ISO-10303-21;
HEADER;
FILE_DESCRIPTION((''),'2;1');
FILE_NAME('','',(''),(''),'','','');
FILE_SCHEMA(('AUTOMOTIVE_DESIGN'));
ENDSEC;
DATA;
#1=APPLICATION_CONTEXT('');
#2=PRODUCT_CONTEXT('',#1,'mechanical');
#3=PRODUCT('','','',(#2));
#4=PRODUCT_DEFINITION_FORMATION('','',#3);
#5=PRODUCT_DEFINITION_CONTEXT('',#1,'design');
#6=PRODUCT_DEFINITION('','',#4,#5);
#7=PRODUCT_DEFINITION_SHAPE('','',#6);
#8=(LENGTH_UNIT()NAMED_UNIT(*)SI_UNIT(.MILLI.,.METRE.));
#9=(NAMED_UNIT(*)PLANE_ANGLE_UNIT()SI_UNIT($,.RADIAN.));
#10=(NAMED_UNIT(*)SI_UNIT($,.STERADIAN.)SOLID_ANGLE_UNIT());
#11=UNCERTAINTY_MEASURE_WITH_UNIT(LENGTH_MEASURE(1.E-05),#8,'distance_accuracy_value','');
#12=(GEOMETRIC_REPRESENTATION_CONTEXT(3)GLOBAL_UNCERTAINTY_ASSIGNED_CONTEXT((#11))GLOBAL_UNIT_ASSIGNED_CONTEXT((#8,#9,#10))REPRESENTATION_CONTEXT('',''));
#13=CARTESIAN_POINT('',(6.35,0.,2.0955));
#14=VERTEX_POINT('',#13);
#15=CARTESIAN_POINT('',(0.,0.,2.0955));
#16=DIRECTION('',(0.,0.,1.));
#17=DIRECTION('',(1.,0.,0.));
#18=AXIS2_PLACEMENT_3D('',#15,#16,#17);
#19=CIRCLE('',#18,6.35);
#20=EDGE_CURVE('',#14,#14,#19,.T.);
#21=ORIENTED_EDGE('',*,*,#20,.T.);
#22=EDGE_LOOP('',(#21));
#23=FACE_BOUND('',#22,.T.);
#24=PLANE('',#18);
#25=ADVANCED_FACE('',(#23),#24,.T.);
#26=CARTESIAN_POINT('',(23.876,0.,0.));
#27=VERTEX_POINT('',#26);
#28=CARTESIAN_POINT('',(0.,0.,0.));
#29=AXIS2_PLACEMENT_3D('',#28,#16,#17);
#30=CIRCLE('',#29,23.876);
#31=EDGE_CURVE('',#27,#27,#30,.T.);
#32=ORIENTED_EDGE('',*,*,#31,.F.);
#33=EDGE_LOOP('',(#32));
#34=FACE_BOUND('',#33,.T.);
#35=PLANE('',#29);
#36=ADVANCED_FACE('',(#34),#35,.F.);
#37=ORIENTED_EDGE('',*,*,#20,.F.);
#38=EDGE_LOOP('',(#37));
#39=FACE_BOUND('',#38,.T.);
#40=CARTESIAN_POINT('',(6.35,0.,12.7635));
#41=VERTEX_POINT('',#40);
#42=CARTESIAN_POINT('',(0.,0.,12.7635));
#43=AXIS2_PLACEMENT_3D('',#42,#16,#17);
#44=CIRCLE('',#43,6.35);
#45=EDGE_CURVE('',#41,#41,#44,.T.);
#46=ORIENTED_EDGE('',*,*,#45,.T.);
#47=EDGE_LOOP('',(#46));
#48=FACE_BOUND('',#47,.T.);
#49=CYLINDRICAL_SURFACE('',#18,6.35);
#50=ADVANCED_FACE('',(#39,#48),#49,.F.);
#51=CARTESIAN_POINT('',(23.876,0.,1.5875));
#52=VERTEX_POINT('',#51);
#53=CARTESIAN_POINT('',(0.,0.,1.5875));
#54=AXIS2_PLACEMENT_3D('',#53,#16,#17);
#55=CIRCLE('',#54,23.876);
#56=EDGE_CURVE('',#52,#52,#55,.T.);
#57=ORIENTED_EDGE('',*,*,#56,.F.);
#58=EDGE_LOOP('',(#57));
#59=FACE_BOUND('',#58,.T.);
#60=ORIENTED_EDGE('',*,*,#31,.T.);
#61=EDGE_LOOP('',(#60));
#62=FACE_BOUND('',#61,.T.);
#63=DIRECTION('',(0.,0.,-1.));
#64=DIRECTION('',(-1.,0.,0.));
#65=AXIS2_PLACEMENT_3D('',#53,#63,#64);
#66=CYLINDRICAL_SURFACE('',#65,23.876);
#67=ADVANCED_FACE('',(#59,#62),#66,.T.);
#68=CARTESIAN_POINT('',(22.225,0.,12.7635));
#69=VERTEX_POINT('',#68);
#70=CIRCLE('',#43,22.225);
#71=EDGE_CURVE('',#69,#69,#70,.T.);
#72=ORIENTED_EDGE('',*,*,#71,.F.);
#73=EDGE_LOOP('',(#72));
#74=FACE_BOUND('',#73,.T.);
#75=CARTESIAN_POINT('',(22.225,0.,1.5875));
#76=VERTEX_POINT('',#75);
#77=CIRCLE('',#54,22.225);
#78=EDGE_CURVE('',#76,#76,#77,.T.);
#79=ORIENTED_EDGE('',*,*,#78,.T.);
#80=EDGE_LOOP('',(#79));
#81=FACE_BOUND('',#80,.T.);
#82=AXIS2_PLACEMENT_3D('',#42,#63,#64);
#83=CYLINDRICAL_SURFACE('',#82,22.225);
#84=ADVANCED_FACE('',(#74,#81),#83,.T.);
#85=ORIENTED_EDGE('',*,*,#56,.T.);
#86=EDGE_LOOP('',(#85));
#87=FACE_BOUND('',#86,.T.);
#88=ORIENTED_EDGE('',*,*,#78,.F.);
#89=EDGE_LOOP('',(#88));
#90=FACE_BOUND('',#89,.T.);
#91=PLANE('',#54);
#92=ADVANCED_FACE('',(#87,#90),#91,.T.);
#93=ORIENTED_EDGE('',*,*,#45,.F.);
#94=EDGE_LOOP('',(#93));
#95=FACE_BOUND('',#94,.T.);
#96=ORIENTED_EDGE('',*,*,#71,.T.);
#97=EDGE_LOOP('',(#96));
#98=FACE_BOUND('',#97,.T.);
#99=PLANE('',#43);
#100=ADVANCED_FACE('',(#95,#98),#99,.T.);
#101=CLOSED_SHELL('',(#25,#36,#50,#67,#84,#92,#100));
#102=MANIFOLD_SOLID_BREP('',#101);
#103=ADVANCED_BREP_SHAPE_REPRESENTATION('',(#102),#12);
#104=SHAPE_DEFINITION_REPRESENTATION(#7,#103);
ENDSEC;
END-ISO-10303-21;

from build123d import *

# Parameters (mm, degrees)
SKETCH2_R           = 23.876
BOSS_EXTRUDE1_DEPTH = 1.5875
SKETCH3_R           = 22.225
BOSS_EXTRUDE2_DEPTH = 11.176
SKETCH4_R           = 6.35
CUT_EXTRUDE1_DEPTH  = 10.668


with BuildPart() as part:
    # Sketch2 → Boss-Extrude1 (new body)
    with BuildSketch(Plane.XY):
        Circle(SKETCH2_R)
    extrude(amount=BOSS_EXTRUDE1_DEPTH)

    # Sketch3 → Boss-Extrude2 (add)
    with BuildSketch(Plane.XY.offset(1.5875)):
        Circle(SKETCH3_R)
    extrude(amount=BOSS_EXTRUDE2_DEPTH)

    # Sketch4 → Cut-Extrude1 (cut)
    with BuildSketch(Plane.XY.offset(12.7635)):
        Circle(SKETCH4_R)
    extrude(amount=-CUT_EXTRUDE1_DEPTH, mode=Mode.SUBTRACT)


solid = part.part
